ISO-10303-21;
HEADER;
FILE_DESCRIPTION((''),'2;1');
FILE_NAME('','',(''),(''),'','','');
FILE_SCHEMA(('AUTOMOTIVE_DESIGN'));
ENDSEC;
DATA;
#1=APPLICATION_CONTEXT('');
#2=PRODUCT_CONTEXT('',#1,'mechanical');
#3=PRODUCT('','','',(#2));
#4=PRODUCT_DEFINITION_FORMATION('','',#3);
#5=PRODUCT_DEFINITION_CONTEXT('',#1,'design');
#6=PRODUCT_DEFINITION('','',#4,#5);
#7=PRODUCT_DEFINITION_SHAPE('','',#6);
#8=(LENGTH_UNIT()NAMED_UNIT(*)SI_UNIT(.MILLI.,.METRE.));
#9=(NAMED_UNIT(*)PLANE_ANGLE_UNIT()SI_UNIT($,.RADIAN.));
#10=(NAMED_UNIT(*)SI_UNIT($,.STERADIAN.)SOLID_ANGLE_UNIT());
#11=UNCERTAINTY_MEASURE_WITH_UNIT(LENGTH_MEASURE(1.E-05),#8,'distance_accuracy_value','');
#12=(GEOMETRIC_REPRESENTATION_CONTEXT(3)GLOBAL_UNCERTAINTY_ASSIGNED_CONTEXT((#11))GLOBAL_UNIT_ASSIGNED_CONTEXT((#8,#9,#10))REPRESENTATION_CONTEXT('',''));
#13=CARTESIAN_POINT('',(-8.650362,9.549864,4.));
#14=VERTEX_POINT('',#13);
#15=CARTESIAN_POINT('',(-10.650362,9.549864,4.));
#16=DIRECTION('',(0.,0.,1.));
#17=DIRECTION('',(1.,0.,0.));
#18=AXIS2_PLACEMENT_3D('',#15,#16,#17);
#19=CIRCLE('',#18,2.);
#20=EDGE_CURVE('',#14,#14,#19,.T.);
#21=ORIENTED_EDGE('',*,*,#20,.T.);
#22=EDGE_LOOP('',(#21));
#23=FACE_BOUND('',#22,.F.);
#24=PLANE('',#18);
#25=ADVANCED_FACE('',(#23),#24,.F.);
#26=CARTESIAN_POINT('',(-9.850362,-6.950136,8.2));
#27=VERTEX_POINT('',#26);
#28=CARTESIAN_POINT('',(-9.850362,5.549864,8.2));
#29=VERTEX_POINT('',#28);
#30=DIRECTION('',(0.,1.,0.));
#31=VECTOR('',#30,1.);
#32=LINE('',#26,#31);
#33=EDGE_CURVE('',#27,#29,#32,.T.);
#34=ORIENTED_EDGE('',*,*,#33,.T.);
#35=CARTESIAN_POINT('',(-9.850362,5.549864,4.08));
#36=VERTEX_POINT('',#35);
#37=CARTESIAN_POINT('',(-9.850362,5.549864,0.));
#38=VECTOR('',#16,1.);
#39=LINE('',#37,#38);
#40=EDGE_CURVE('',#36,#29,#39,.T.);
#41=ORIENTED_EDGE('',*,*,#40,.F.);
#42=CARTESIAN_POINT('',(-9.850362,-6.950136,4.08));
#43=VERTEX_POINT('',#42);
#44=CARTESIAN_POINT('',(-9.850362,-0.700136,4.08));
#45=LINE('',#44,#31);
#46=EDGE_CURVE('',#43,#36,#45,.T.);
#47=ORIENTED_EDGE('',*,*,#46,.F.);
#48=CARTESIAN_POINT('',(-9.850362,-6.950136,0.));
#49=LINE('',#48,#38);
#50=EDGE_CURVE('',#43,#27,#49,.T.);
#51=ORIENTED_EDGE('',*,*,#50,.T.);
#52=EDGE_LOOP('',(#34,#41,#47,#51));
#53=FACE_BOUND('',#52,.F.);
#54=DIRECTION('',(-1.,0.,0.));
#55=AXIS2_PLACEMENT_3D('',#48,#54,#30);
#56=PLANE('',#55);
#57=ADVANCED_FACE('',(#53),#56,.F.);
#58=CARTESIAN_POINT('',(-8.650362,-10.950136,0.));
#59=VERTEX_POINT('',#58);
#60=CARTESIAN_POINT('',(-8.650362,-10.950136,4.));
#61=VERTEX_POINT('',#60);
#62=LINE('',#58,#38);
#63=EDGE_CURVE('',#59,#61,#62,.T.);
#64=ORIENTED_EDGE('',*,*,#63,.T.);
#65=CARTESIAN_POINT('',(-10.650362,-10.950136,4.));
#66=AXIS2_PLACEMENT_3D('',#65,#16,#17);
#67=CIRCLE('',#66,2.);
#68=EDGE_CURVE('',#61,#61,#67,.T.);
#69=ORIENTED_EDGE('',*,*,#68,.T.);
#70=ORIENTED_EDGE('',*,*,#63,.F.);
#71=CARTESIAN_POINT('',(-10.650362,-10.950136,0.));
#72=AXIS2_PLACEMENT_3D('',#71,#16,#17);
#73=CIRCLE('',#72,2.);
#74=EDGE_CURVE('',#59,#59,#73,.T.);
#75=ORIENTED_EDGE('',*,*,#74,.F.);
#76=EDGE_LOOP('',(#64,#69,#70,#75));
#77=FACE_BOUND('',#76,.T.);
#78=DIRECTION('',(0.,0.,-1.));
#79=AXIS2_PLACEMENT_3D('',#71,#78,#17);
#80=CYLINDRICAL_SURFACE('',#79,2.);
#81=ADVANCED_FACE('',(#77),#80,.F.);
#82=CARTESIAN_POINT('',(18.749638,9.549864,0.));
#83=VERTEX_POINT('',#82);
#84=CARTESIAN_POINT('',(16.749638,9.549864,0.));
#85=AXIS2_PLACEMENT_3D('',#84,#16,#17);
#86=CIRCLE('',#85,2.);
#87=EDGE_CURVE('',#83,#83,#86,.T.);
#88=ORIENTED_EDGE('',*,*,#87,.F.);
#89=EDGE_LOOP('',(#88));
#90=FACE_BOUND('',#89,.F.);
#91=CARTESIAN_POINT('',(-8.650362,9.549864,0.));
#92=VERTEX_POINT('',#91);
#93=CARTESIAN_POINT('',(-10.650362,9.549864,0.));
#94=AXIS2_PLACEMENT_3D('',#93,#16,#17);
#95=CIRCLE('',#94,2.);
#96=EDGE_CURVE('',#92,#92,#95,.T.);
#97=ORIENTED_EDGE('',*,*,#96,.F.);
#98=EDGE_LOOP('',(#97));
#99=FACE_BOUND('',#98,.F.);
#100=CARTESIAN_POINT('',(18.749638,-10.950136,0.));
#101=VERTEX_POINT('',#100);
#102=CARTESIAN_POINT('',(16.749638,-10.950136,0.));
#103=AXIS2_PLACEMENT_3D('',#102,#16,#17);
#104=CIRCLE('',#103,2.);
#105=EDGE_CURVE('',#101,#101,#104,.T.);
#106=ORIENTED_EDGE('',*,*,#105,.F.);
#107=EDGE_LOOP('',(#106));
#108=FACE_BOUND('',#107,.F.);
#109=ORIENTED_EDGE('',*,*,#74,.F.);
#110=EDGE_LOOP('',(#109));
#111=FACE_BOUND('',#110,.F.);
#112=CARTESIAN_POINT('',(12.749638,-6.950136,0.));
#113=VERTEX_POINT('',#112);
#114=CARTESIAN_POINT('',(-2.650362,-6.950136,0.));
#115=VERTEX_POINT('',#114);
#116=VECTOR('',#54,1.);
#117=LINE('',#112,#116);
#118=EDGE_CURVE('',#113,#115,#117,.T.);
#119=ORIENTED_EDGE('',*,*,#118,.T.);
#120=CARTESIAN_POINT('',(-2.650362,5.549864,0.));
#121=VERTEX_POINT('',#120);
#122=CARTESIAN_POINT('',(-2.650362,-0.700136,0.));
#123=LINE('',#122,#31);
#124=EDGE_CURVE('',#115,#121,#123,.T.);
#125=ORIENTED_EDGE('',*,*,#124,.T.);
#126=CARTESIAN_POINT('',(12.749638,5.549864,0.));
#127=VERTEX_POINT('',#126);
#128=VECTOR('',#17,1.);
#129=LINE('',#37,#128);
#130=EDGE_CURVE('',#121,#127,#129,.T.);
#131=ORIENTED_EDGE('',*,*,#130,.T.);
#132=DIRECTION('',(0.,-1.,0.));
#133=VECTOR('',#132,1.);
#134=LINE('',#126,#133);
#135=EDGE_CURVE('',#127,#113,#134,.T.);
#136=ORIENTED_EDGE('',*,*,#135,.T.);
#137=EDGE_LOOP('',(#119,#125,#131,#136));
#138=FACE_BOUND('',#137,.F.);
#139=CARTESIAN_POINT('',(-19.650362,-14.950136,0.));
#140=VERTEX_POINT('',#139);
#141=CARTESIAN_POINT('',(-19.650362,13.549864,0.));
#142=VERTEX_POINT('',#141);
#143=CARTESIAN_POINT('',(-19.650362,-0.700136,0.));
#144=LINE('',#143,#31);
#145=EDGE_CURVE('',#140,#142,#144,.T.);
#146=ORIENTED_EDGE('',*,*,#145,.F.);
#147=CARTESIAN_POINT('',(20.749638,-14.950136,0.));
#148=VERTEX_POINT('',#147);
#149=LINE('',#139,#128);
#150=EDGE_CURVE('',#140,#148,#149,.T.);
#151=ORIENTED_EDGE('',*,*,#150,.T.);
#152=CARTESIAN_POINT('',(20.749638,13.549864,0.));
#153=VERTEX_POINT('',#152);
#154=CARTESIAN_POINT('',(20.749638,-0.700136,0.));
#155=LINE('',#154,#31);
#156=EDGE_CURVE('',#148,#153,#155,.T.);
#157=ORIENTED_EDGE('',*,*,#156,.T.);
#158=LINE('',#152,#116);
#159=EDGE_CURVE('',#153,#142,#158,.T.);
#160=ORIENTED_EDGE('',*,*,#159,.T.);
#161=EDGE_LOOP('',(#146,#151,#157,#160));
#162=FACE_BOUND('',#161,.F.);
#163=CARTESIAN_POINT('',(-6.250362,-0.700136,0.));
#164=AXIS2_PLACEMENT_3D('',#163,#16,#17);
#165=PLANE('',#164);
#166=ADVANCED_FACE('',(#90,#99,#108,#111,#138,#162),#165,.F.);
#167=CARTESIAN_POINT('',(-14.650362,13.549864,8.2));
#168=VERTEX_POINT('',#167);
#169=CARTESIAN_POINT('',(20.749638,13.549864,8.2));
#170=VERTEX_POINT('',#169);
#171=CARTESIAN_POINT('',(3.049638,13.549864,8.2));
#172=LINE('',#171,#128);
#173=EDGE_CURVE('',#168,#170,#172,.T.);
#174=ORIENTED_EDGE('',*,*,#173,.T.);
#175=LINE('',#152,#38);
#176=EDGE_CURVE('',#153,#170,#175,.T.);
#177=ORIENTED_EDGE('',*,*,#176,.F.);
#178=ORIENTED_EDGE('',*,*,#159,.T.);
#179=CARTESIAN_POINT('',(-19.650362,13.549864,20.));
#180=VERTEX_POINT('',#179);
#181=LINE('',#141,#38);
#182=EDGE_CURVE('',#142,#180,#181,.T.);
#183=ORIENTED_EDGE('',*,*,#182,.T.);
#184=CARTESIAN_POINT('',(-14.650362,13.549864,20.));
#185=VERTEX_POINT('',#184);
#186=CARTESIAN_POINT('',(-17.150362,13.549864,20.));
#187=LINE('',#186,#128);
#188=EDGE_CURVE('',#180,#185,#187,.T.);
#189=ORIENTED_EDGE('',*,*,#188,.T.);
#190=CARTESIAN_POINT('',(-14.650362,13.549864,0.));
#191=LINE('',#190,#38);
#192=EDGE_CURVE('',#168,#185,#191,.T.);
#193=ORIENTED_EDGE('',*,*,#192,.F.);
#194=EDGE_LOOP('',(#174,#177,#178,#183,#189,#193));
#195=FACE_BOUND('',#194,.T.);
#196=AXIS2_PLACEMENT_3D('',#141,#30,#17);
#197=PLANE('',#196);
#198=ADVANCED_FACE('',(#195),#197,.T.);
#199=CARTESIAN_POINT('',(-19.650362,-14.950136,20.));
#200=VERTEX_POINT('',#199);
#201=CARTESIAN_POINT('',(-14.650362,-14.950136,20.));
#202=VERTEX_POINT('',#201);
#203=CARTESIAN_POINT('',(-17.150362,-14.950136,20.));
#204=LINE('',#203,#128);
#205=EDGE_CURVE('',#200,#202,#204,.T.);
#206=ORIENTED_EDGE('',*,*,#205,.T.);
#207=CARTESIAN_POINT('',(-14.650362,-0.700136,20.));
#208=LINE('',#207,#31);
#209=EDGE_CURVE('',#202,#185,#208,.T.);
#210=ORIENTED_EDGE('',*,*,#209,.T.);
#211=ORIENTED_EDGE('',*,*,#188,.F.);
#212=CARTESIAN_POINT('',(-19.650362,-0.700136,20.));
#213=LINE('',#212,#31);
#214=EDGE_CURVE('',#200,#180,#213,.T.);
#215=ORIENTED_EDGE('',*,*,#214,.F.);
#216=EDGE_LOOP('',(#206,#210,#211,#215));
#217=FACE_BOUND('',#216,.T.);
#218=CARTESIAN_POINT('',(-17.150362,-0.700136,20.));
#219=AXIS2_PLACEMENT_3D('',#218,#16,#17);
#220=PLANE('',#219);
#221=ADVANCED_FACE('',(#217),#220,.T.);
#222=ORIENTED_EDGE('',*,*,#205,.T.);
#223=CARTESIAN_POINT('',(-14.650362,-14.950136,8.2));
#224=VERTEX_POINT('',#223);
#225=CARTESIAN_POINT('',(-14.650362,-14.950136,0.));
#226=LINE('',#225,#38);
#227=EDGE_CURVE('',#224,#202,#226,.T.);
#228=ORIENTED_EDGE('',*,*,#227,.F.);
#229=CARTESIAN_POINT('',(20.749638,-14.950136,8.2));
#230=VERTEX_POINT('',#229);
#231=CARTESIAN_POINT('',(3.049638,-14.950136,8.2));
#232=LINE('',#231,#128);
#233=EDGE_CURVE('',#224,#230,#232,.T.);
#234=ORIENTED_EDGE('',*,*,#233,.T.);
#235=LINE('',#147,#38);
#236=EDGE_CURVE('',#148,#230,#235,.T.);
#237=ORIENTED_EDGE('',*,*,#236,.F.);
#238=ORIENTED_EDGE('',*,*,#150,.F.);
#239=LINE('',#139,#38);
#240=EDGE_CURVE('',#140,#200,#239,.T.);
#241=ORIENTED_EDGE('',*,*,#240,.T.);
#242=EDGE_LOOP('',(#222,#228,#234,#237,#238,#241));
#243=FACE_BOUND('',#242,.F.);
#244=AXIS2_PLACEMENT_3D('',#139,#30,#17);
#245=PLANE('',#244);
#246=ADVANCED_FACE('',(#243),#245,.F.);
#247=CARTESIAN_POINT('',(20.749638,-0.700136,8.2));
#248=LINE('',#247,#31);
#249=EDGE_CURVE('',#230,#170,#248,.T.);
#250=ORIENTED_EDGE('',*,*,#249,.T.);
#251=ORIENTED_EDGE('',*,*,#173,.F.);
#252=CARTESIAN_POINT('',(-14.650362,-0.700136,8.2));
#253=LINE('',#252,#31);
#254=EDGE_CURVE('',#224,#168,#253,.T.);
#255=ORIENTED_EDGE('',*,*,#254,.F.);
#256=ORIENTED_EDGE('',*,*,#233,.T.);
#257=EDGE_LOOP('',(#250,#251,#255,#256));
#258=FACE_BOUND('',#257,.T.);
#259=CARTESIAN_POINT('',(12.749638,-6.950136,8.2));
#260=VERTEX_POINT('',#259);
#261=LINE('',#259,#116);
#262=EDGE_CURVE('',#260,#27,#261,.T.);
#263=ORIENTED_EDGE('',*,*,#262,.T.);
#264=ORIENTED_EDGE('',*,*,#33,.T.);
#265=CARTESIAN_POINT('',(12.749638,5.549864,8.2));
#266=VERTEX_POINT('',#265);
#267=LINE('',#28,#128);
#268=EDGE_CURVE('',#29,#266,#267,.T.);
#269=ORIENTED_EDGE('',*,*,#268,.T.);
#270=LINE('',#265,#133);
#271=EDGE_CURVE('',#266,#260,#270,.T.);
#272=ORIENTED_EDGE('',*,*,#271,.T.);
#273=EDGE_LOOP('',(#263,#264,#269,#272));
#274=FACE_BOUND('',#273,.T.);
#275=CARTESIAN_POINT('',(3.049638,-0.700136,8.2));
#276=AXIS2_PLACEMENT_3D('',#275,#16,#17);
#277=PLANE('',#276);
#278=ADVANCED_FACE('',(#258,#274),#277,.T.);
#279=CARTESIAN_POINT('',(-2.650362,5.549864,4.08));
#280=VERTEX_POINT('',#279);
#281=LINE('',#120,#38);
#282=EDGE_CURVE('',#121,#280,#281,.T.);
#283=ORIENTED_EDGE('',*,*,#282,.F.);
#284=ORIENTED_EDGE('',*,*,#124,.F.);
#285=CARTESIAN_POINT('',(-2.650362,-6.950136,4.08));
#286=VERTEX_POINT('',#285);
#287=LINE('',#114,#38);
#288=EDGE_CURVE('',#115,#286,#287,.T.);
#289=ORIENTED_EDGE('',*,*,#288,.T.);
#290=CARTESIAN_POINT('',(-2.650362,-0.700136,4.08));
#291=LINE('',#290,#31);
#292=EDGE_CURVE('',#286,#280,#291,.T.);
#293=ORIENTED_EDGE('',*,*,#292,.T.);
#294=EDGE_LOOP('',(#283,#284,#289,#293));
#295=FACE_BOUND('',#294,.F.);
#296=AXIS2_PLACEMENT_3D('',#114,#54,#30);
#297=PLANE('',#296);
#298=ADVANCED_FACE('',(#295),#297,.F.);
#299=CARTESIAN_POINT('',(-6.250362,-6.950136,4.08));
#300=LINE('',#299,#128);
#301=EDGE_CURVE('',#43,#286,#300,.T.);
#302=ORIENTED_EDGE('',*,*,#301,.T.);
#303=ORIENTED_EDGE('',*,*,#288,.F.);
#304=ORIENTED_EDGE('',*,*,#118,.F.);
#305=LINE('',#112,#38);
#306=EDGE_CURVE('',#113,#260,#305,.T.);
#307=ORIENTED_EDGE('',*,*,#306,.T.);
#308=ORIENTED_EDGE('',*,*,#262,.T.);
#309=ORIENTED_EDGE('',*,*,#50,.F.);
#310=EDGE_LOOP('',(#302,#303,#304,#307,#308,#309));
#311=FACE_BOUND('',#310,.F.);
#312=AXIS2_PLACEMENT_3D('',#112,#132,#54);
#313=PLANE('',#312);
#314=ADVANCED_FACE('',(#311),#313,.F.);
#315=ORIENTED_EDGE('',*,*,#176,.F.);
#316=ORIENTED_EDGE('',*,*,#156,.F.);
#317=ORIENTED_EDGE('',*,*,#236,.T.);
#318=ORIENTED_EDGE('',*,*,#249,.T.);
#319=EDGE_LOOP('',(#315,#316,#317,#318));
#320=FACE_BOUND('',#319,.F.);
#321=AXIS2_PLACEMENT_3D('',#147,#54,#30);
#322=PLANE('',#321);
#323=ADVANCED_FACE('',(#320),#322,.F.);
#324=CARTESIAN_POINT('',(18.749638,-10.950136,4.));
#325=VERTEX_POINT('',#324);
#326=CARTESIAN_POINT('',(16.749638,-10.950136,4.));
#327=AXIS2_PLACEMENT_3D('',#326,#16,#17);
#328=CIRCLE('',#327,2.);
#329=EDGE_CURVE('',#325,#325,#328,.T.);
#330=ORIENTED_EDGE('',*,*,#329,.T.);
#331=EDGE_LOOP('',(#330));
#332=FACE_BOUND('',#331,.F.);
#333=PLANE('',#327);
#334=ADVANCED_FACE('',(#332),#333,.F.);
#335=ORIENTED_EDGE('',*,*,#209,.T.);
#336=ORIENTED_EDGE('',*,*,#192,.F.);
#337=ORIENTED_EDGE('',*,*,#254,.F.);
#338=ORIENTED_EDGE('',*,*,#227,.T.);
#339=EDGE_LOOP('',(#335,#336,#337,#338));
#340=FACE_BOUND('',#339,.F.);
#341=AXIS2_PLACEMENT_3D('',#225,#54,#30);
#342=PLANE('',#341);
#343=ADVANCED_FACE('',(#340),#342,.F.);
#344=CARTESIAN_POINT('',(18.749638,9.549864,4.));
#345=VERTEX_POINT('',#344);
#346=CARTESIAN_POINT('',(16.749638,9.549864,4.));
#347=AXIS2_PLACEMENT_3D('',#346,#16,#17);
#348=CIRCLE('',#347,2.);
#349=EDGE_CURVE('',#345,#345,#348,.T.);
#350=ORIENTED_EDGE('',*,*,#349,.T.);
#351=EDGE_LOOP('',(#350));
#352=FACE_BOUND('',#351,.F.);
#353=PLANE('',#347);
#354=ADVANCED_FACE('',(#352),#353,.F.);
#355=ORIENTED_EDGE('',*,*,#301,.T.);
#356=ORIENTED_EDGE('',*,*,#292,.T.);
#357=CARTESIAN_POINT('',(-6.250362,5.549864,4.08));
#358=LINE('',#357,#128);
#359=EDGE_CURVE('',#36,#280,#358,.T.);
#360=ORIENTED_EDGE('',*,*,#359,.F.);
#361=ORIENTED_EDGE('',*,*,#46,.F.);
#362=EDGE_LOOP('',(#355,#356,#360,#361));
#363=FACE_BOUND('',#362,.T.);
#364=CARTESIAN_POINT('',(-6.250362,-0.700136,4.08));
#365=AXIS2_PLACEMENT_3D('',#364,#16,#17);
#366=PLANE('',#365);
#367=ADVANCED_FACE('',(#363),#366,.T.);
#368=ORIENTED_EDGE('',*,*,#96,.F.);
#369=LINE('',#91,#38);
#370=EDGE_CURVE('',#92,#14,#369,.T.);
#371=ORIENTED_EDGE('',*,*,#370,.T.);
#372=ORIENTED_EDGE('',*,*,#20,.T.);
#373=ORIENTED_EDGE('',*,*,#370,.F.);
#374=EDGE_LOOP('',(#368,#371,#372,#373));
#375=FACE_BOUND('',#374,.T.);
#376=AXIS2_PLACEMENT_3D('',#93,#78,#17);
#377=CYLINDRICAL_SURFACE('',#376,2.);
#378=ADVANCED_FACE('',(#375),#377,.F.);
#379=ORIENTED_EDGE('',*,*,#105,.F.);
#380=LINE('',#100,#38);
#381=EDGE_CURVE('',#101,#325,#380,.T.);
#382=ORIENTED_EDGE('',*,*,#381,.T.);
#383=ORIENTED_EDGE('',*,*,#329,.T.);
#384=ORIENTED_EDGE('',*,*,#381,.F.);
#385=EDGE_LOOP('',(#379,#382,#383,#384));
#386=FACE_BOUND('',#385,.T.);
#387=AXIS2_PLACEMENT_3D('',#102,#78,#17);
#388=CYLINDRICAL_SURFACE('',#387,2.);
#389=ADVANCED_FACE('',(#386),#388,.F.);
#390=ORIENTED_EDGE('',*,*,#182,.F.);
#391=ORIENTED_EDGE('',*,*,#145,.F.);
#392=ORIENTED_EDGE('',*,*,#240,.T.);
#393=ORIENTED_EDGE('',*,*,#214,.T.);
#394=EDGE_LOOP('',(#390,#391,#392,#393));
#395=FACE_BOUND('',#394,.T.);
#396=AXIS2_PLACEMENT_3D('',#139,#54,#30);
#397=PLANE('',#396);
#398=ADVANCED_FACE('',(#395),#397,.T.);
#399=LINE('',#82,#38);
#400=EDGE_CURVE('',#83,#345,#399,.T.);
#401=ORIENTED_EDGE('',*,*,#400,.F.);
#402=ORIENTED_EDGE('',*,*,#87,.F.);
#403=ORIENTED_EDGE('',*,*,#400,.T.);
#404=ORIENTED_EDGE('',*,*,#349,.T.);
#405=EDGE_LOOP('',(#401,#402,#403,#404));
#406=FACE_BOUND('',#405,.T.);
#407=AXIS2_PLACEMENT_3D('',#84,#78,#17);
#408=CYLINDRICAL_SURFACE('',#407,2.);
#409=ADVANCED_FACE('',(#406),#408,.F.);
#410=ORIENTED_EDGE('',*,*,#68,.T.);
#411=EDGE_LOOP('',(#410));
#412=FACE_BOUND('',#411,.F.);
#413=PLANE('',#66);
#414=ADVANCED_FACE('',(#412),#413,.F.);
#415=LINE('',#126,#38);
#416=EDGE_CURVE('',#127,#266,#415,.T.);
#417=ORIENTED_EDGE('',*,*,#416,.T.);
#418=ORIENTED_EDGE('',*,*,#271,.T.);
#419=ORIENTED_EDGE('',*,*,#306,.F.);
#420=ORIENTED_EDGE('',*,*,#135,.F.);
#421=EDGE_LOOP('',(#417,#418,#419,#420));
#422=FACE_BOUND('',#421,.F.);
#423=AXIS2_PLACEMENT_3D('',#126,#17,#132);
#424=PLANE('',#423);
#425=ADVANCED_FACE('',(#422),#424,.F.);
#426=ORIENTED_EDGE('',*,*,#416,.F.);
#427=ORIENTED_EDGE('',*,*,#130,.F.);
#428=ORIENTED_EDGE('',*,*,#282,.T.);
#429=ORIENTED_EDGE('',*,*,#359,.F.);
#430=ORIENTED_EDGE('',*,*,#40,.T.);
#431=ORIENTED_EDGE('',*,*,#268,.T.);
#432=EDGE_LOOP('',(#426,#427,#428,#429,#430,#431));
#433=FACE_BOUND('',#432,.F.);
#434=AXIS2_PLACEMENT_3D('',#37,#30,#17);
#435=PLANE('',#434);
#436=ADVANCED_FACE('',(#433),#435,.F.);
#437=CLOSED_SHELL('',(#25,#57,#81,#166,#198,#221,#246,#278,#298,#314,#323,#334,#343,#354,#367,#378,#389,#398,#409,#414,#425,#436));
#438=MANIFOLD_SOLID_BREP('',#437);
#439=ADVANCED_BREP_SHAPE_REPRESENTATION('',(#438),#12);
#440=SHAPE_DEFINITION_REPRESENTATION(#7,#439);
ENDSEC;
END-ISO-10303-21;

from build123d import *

# Parameters (mm, degrees)
F0_W     = 35.4
F0_H     = 28.5
F0_R     = 2
F1_DEPTH = 8.2
F0_W_2   = 5
F2_DEPTH = 20
F0_W_3   = 7.2
F0_H_2   = 12.5
F3_DEPTH = 4.08
F4_DEPTH = 4


with BuildPart() as f1:
    # F0 (on Top) → F1 (new body)
    with BuildSketch(Plane.XY):
        with Locations((3.049638, -0.700136)):
            Rectangle(F0_W, F0_H)
        with Locations((-10.650362, -10.950136)):
            Circle(F0_R, mode=Mode.SUBTRACT)
        with Locations((16.749638, -10.950136)):
            Circle(F0_R, mode=Mode.SUBTRACT)
        with Locations((-10.650362, 9.549864)):
            Circle(F0_R, mode=Mode.SUBTRACT)
        Polygon((-9.850362, -6.950136), (-9.850362, 5.549864), (-2.650362, 5.549864), (12.749638, 5.549864), (12.749638, -6.950136), (-2.650362, -6.950136), align=None, mode=Mode.SUBTRACT)
        with Locations((16.749638, 9.549864)):
            Circle(F0_R, mode=Mode.SUBTRACT)
        with Locations((-10.650362, 9.549864)):
            Circle(F0_R)
        with Locations((16.749638, 9.549864)):
            Circle(F0_R)
        with Locations((16.749638, -10.950136)):
            Circle(F0_R)
        with Locations((-10.650362, -10.950136)):
            Circle(F0_R)
    extrude(amount=F1_DEPTH)

    # F0 (on Top) → F2 (join)
    with BuildSketch(Plane.XY):
        with Locations((-17.150362, -0.700136)):
            Rectangle(F0_W_2, F0_H)
    extrude(amount=F2_DEPTH)

    # F0 (on Top) → F3 (join)
    with BuildSketch(Plane.XY):
        with Locations((-6.250362, -0.700136)):
            Rectangle(F0_W_3, F0_H_2)
    extrude(amount=F3_DEPTH)

    # F0 (on Top) → F4 (cut)
    with BuildSketch(Plane.XY):
        with Locations((-10.650362, -10.950136)):
            Circle(F0_R)
        with Locations((16.749638, -10.950136)):
            Circle(F0_R)
        with Locations((16.749638, 9.549864)):
            Circle(F0_R)
        with Locations((-10.650362, 9.549864)):
            Circle(F0_R)
    extrude(amount=F4_DEPTH, mode=Mode.SUBTRACT)


solid = f1.part
